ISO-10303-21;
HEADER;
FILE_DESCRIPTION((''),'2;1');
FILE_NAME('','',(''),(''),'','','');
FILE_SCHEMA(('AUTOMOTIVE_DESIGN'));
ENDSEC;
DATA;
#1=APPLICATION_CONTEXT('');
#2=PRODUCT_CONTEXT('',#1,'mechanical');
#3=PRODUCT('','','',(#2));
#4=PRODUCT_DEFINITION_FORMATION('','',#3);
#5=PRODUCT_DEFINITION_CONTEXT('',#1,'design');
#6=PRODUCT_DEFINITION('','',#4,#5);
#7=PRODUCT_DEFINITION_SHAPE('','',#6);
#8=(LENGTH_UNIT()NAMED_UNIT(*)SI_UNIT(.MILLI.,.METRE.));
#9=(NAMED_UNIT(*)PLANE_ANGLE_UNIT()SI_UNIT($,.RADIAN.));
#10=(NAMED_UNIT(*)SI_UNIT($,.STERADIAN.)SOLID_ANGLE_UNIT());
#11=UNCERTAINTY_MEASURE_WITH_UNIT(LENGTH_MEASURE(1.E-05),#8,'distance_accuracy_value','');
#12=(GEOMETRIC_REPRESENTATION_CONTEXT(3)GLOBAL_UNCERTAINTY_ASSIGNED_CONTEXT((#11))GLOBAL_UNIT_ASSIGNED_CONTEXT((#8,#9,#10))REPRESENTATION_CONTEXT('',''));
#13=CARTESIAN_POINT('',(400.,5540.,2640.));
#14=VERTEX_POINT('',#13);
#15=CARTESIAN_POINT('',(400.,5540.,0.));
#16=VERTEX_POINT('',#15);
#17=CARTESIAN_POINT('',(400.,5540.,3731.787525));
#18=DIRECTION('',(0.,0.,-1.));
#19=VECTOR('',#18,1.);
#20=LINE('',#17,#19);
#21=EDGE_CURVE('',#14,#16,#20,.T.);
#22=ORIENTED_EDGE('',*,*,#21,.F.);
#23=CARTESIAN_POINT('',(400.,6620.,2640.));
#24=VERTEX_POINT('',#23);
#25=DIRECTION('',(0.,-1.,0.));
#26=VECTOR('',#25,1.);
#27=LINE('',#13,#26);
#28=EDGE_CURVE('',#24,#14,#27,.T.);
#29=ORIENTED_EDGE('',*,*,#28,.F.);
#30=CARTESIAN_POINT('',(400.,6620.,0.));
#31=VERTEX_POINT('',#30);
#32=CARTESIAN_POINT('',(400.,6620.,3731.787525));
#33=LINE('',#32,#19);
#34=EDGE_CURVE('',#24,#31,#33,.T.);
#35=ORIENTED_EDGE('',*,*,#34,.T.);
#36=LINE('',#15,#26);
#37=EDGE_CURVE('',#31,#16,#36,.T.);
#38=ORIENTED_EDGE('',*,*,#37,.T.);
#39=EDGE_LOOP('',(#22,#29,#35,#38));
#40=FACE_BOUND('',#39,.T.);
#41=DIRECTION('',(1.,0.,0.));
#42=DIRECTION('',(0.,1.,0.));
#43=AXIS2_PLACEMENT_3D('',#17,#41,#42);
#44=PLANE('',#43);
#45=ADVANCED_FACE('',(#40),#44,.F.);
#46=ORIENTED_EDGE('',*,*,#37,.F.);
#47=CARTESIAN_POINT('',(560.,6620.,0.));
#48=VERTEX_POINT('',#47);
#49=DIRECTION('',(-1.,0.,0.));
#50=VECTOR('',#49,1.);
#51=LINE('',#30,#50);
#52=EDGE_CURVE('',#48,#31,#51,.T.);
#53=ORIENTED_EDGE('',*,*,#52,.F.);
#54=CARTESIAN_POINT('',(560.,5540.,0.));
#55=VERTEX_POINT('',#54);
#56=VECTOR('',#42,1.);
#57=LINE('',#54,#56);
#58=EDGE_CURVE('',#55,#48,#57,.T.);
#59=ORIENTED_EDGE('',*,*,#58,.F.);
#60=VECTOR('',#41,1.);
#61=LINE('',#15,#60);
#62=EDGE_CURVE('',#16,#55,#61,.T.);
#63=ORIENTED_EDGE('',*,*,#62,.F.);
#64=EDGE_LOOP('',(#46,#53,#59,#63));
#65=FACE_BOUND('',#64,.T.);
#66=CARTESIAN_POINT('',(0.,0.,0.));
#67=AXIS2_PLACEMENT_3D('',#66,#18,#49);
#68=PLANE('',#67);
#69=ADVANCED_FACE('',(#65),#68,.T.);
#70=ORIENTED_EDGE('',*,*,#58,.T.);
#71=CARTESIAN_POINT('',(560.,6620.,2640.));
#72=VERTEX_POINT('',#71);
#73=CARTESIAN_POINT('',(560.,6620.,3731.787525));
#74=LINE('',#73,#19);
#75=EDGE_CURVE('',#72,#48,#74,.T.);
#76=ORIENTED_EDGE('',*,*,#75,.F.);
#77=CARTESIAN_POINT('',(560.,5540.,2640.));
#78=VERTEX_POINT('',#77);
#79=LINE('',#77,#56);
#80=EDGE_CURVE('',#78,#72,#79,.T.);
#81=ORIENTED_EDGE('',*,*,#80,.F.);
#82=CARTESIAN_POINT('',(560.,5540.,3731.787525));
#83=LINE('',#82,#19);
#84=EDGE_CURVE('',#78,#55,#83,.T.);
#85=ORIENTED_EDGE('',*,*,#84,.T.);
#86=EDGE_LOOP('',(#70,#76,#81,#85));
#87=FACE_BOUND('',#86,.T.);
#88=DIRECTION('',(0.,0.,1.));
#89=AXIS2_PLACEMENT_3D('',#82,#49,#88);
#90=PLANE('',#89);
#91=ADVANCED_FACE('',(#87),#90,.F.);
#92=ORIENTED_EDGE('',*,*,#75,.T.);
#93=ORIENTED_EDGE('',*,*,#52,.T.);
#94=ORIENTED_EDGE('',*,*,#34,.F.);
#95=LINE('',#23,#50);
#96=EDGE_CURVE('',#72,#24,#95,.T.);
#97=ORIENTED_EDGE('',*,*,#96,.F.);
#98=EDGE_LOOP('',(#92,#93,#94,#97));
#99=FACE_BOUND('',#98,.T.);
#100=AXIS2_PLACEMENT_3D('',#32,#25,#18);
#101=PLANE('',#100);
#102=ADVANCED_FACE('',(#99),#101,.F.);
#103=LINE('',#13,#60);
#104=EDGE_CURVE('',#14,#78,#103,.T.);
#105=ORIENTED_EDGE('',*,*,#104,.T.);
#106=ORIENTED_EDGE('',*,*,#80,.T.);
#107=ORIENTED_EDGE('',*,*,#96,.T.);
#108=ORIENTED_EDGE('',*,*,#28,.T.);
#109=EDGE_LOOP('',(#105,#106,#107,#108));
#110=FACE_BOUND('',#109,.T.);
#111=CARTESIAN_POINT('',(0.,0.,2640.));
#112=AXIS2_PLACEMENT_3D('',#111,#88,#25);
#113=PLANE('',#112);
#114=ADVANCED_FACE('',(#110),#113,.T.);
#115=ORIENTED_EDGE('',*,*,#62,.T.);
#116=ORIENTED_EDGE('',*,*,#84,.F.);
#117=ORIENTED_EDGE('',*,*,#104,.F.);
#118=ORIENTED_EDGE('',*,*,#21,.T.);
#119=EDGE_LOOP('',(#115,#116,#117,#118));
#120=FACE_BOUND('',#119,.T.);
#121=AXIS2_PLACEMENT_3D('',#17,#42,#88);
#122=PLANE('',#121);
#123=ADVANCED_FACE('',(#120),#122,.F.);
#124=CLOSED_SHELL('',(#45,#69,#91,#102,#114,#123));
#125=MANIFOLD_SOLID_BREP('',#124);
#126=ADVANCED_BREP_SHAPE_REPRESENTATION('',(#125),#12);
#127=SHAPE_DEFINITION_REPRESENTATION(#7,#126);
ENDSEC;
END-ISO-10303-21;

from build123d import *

# Parameters (mm, degrees)
SKETCH_1_W      = 160
SKETCH_1_H      = 1080
EXTRUDE_1_DEPTH = 2640


with BuildPart() as part:
    # Эскиз1 → Бобышка-Вытянуть1 (new body)
    with BuildSketch(Plane.XY):
        with Locations((480, 6080)):
            Rectangle(SKETCH_1_W, SKETCH_1_H)
    extrude(amount=EXTRUDE_1_DEPTH)


solid = part.part
